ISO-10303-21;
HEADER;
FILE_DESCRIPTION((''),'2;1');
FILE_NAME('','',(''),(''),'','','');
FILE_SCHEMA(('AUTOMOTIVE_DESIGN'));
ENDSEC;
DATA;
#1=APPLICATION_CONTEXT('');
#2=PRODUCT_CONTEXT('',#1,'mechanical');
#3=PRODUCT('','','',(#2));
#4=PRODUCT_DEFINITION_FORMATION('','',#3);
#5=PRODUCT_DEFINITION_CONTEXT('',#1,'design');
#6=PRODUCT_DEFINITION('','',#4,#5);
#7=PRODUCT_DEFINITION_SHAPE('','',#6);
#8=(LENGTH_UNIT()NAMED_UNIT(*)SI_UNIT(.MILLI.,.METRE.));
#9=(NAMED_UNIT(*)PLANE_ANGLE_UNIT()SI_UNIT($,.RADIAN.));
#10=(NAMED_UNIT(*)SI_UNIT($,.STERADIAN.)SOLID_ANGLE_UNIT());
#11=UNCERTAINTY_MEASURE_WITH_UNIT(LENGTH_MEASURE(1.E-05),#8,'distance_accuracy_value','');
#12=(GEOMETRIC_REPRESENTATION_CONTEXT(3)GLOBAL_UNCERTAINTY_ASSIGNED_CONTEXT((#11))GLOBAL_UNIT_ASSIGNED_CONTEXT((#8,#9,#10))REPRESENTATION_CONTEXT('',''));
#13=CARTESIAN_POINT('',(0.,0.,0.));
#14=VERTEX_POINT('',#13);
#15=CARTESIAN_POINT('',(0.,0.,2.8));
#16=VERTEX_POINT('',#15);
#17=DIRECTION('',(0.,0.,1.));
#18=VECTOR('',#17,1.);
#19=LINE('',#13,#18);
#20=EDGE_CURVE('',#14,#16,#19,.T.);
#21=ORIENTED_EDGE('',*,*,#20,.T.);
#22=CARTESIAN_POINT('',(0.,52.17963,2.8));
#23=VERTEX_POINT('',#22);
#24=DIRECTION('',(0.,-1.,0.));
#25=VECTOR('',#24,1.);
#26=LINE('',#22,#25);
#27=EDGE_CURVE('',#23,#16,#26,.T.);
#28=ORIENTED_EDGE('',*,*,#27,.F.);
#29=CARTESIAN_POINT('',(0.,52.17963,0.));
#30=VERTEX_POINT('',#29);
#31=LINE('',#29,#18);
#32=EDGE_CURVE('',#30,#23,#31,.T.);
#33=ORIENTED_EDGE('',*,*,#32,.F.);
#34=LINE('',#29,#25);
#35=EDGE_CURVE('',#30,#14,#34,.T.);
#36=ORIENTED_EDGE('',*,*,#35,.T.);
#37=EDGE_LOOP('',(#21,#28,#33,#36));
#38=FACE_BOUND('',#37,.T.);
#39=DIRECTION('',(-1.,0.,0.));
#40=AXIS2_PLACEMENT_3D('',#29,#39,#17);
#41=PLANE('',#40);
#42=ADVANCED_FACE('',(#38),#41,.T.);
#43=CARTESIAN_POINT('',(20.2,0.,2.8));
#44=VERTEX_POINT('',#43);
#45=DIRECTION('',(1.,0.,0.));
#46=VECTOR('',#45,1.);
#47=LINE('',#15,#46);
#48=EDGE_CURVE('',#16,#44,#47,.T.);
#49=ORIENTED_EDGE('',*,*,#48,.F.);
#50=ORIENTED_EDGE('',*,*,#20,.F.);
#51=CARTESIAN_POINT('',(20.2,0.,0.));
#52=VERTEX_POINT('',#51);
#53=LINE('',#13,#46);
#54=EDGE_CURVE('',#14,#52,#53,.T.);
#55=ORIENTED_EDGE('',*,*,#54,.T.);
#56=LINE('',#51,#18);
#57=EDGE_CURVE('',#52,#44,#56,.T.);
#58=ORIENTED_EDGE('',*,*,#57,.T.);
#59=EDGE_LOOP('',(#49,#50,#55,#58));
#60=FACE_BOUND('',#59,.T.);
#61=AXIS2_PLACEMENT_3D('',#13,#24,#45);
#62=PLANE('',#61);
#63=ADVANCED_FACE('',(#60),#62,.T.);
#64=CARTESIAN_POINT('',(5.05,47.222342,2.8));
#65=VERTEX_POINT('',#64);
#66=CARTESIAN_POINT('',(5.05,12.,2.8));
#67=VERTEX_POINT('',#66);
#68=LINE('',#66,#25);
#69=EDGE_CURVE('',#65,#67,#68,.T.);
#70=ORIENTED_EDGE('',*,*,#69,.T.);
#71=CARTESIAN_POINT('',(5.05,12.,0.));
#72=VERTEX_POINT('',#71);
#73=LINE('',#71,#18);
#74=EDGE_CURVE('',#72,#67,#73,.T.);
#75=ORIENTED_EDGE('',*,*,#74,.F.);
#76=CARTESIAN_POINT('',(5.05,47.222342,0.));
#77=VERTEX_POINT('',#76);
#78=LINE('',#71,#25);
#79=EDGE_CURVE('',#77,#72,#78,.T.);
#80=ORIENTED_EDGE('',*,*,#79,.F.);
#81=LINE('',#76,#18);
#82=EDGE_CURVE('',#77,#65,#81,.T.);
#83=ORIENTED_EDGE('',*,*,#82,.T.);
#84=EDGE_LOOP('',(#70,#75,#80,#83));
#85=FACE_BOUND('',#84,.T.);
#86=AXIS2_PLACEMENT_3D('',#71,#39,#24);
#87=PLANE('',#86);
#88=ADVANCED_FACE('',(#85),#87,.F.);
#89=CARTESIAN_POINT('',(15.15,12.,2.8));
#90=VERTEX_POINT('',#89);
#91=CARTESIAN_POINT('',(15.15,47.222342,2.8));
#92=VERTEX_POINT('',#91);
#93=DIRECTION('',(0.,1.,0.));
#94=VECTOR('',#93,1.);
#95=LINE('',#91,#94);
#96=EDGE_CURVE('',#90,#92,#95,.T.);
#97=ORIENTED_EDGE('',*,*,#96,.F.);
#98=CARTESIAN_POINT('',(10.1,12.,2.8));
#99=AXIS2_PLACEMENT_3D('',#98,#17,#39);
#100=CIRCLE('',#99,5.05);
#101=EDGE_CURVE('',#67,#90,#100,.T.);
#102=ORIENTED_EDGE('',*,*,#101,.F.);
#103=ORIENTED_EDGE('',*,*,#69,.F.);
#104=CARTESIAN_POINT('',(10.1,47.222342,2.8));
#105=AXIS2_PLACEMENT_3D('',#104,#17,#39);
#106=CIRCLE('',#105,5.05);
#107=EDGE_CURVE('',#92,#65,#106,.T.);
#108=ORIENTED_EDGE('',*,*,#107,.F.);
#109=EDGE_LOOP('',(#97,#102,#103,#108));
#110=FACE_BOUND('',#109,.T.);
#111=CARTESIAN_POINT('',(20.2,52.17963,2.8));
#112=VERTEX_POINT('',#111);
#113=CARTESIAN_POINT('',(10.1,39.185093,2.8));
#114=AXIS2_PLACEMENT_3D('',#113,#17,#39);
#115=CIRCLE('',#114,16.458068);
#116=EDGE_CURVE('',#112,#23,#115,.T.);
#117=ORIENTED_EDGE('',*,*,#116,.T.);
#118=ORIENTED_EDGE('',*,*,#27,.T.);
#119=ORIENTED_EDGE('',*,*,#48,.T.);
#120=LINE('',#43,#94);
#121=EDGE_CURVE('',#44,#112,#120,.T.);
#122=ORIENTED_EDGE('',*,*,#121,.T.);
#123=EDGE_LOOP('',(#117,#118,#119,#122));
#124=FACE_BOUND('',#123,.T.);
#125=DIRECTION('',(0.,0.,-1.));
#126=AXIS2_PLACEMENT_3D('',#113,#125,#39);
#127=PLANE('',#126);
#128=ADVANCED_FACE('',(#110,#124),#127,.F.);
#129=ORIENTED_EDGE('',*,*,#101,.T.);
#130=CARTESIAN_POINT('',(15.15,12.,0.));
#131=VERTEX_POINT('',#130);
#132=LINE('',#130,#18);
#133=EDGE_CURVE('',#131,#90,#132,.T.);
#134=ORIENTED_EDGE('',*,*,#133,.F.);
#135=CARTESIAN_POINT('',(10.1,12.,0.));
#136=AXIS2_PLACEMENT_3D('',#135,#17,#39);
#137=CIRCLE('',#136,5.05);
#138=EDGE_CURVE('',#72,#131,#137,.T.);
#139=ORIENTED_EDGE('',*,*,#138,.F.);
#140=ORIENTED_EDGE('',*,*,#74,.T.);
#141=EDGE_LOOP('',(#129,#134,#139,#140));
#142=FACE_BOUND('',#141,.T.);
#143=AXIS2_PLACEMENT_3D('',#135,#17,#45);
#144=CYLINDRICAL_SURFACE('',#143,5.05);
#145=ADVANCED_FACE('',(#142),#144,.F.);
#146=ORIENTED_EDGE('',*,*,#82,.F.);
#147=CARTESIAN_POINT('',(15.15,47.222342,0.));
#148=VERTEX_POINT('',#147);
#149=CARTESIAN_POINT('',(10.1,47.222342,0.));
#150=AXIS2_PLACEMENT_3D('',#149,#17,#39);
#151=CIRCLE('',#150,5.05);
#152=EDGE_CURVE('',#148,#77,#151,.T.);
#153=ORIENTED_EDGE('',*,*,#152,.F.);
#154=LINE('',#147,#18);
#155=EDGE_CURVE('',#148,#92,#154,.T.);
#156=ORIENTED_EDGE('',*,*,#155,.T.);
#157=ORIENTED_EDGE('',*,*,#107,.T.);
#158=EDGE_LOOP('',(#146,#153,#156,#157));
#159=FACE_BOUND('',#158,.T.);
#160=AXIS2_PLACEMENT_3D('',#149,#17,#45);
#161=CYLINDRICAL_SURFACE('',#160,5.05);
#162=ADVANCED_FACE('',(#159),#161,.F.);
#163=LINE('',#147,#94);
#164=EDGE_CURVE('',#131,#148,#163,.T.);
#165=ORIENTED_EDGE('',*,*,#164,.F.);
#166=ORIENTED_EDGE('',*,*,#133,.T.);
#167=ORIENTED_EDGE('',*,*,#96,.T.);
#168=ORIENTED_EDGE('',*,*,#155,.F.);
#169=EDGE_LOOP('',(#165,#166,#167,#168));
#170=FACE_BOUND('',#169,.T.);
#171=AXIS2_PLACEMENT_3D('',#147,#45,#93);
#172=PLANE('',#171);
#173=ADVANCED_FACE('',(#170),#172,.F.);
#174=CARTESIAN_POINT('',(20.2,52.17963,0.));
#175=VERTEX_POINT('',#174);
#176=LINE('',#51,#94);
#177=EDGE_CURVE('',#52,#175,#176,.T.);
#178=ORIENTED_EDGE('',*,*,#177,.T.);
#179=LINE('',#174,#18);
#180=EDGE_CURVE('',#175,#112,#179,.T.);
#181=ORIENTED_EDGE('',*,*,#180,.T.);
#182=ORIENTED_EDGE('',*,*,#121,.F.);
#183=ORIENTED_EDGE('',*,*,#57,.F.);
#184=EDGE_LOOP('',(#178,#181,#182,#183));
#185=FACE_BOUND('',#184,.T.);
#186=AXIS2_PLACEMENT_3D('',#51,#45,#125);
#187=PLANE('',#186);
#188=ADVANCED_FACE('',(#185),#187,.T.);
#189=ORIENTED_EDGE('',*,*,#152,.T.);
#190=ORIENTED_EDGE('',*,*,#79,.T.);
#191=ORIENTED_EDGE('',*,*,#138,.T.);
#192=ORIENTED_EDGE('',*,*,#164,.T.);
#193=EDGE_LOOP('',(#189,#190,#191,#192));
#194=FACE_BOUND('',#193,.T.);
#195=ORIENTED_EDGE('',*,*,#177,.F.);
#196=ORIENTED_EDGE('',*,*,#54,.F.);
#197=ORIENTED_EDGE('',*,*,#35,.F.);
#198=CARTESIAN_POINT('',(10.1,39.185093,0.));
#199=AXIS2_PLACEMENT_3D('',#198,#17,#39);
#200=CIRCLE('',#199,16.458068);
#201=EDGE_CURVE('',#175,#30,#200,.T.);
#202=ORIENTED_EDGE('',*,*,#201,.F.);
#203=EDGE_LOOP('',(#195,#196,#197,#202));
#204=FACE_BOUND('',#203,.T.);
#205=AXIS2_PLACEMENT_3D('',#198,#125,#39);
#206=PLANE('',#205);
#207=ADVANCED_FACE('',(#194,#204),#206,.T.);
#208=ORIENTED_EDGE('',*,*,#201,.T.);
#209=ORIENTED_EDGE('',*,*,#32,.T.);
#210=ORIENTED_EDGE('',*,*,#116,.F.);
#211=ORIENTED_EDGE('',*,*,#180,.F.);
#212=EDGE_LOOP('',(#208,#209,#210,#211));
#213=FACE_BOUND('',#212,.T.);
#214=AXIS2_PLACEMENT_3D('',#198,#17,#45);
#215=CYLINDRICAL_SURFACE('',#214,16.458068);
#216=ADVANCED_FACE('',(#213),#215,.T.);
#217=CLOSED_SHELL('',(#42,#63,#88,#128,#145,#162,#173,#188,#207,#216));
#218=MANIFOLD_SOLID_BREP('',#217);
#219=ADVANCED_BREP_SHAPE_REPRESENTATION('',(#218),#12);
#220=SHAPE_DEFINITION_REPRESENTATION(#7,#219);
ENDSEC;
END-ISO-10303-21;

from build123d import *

# Parameters (mm, degrees)
BOSS_EXTRUDE1_DEPTH = 2.8


with BuildPart() as part:
    # Sketch1 → Boss-Extrude1 (new body)
    with BuildSketch(Plane.XY.offset(2.8)):
        with BuildLine():
            Line((0, 52.179630025), (0, 0))
            Line((0, 0), (20.2, 0))
            Line((20.2, 0), (20.2, 52.179630025))
            ThreePointArc((20.2, 52.179630025), (10.1, 55.643160629), (0, 52.179630025))
        make_face()
        with BuildLine():
            Line((15.15, 47.222342094), (15.15, 12))
            ThreePointArc((15.15, 12), (10.1, 6.95), (5.05, 12))
            Line((5.05, 12), (5.05, 47.222342094))
            ThreePointArc((5.05, 47.222342094), (10.1, 52.272342094), (15.15, 47.222342094))
        make_face(mode=Mode.SUBTRACT)
    extrude(amount=-BOSS_EXTRUDE1_DEPTH)


solid = part.part
